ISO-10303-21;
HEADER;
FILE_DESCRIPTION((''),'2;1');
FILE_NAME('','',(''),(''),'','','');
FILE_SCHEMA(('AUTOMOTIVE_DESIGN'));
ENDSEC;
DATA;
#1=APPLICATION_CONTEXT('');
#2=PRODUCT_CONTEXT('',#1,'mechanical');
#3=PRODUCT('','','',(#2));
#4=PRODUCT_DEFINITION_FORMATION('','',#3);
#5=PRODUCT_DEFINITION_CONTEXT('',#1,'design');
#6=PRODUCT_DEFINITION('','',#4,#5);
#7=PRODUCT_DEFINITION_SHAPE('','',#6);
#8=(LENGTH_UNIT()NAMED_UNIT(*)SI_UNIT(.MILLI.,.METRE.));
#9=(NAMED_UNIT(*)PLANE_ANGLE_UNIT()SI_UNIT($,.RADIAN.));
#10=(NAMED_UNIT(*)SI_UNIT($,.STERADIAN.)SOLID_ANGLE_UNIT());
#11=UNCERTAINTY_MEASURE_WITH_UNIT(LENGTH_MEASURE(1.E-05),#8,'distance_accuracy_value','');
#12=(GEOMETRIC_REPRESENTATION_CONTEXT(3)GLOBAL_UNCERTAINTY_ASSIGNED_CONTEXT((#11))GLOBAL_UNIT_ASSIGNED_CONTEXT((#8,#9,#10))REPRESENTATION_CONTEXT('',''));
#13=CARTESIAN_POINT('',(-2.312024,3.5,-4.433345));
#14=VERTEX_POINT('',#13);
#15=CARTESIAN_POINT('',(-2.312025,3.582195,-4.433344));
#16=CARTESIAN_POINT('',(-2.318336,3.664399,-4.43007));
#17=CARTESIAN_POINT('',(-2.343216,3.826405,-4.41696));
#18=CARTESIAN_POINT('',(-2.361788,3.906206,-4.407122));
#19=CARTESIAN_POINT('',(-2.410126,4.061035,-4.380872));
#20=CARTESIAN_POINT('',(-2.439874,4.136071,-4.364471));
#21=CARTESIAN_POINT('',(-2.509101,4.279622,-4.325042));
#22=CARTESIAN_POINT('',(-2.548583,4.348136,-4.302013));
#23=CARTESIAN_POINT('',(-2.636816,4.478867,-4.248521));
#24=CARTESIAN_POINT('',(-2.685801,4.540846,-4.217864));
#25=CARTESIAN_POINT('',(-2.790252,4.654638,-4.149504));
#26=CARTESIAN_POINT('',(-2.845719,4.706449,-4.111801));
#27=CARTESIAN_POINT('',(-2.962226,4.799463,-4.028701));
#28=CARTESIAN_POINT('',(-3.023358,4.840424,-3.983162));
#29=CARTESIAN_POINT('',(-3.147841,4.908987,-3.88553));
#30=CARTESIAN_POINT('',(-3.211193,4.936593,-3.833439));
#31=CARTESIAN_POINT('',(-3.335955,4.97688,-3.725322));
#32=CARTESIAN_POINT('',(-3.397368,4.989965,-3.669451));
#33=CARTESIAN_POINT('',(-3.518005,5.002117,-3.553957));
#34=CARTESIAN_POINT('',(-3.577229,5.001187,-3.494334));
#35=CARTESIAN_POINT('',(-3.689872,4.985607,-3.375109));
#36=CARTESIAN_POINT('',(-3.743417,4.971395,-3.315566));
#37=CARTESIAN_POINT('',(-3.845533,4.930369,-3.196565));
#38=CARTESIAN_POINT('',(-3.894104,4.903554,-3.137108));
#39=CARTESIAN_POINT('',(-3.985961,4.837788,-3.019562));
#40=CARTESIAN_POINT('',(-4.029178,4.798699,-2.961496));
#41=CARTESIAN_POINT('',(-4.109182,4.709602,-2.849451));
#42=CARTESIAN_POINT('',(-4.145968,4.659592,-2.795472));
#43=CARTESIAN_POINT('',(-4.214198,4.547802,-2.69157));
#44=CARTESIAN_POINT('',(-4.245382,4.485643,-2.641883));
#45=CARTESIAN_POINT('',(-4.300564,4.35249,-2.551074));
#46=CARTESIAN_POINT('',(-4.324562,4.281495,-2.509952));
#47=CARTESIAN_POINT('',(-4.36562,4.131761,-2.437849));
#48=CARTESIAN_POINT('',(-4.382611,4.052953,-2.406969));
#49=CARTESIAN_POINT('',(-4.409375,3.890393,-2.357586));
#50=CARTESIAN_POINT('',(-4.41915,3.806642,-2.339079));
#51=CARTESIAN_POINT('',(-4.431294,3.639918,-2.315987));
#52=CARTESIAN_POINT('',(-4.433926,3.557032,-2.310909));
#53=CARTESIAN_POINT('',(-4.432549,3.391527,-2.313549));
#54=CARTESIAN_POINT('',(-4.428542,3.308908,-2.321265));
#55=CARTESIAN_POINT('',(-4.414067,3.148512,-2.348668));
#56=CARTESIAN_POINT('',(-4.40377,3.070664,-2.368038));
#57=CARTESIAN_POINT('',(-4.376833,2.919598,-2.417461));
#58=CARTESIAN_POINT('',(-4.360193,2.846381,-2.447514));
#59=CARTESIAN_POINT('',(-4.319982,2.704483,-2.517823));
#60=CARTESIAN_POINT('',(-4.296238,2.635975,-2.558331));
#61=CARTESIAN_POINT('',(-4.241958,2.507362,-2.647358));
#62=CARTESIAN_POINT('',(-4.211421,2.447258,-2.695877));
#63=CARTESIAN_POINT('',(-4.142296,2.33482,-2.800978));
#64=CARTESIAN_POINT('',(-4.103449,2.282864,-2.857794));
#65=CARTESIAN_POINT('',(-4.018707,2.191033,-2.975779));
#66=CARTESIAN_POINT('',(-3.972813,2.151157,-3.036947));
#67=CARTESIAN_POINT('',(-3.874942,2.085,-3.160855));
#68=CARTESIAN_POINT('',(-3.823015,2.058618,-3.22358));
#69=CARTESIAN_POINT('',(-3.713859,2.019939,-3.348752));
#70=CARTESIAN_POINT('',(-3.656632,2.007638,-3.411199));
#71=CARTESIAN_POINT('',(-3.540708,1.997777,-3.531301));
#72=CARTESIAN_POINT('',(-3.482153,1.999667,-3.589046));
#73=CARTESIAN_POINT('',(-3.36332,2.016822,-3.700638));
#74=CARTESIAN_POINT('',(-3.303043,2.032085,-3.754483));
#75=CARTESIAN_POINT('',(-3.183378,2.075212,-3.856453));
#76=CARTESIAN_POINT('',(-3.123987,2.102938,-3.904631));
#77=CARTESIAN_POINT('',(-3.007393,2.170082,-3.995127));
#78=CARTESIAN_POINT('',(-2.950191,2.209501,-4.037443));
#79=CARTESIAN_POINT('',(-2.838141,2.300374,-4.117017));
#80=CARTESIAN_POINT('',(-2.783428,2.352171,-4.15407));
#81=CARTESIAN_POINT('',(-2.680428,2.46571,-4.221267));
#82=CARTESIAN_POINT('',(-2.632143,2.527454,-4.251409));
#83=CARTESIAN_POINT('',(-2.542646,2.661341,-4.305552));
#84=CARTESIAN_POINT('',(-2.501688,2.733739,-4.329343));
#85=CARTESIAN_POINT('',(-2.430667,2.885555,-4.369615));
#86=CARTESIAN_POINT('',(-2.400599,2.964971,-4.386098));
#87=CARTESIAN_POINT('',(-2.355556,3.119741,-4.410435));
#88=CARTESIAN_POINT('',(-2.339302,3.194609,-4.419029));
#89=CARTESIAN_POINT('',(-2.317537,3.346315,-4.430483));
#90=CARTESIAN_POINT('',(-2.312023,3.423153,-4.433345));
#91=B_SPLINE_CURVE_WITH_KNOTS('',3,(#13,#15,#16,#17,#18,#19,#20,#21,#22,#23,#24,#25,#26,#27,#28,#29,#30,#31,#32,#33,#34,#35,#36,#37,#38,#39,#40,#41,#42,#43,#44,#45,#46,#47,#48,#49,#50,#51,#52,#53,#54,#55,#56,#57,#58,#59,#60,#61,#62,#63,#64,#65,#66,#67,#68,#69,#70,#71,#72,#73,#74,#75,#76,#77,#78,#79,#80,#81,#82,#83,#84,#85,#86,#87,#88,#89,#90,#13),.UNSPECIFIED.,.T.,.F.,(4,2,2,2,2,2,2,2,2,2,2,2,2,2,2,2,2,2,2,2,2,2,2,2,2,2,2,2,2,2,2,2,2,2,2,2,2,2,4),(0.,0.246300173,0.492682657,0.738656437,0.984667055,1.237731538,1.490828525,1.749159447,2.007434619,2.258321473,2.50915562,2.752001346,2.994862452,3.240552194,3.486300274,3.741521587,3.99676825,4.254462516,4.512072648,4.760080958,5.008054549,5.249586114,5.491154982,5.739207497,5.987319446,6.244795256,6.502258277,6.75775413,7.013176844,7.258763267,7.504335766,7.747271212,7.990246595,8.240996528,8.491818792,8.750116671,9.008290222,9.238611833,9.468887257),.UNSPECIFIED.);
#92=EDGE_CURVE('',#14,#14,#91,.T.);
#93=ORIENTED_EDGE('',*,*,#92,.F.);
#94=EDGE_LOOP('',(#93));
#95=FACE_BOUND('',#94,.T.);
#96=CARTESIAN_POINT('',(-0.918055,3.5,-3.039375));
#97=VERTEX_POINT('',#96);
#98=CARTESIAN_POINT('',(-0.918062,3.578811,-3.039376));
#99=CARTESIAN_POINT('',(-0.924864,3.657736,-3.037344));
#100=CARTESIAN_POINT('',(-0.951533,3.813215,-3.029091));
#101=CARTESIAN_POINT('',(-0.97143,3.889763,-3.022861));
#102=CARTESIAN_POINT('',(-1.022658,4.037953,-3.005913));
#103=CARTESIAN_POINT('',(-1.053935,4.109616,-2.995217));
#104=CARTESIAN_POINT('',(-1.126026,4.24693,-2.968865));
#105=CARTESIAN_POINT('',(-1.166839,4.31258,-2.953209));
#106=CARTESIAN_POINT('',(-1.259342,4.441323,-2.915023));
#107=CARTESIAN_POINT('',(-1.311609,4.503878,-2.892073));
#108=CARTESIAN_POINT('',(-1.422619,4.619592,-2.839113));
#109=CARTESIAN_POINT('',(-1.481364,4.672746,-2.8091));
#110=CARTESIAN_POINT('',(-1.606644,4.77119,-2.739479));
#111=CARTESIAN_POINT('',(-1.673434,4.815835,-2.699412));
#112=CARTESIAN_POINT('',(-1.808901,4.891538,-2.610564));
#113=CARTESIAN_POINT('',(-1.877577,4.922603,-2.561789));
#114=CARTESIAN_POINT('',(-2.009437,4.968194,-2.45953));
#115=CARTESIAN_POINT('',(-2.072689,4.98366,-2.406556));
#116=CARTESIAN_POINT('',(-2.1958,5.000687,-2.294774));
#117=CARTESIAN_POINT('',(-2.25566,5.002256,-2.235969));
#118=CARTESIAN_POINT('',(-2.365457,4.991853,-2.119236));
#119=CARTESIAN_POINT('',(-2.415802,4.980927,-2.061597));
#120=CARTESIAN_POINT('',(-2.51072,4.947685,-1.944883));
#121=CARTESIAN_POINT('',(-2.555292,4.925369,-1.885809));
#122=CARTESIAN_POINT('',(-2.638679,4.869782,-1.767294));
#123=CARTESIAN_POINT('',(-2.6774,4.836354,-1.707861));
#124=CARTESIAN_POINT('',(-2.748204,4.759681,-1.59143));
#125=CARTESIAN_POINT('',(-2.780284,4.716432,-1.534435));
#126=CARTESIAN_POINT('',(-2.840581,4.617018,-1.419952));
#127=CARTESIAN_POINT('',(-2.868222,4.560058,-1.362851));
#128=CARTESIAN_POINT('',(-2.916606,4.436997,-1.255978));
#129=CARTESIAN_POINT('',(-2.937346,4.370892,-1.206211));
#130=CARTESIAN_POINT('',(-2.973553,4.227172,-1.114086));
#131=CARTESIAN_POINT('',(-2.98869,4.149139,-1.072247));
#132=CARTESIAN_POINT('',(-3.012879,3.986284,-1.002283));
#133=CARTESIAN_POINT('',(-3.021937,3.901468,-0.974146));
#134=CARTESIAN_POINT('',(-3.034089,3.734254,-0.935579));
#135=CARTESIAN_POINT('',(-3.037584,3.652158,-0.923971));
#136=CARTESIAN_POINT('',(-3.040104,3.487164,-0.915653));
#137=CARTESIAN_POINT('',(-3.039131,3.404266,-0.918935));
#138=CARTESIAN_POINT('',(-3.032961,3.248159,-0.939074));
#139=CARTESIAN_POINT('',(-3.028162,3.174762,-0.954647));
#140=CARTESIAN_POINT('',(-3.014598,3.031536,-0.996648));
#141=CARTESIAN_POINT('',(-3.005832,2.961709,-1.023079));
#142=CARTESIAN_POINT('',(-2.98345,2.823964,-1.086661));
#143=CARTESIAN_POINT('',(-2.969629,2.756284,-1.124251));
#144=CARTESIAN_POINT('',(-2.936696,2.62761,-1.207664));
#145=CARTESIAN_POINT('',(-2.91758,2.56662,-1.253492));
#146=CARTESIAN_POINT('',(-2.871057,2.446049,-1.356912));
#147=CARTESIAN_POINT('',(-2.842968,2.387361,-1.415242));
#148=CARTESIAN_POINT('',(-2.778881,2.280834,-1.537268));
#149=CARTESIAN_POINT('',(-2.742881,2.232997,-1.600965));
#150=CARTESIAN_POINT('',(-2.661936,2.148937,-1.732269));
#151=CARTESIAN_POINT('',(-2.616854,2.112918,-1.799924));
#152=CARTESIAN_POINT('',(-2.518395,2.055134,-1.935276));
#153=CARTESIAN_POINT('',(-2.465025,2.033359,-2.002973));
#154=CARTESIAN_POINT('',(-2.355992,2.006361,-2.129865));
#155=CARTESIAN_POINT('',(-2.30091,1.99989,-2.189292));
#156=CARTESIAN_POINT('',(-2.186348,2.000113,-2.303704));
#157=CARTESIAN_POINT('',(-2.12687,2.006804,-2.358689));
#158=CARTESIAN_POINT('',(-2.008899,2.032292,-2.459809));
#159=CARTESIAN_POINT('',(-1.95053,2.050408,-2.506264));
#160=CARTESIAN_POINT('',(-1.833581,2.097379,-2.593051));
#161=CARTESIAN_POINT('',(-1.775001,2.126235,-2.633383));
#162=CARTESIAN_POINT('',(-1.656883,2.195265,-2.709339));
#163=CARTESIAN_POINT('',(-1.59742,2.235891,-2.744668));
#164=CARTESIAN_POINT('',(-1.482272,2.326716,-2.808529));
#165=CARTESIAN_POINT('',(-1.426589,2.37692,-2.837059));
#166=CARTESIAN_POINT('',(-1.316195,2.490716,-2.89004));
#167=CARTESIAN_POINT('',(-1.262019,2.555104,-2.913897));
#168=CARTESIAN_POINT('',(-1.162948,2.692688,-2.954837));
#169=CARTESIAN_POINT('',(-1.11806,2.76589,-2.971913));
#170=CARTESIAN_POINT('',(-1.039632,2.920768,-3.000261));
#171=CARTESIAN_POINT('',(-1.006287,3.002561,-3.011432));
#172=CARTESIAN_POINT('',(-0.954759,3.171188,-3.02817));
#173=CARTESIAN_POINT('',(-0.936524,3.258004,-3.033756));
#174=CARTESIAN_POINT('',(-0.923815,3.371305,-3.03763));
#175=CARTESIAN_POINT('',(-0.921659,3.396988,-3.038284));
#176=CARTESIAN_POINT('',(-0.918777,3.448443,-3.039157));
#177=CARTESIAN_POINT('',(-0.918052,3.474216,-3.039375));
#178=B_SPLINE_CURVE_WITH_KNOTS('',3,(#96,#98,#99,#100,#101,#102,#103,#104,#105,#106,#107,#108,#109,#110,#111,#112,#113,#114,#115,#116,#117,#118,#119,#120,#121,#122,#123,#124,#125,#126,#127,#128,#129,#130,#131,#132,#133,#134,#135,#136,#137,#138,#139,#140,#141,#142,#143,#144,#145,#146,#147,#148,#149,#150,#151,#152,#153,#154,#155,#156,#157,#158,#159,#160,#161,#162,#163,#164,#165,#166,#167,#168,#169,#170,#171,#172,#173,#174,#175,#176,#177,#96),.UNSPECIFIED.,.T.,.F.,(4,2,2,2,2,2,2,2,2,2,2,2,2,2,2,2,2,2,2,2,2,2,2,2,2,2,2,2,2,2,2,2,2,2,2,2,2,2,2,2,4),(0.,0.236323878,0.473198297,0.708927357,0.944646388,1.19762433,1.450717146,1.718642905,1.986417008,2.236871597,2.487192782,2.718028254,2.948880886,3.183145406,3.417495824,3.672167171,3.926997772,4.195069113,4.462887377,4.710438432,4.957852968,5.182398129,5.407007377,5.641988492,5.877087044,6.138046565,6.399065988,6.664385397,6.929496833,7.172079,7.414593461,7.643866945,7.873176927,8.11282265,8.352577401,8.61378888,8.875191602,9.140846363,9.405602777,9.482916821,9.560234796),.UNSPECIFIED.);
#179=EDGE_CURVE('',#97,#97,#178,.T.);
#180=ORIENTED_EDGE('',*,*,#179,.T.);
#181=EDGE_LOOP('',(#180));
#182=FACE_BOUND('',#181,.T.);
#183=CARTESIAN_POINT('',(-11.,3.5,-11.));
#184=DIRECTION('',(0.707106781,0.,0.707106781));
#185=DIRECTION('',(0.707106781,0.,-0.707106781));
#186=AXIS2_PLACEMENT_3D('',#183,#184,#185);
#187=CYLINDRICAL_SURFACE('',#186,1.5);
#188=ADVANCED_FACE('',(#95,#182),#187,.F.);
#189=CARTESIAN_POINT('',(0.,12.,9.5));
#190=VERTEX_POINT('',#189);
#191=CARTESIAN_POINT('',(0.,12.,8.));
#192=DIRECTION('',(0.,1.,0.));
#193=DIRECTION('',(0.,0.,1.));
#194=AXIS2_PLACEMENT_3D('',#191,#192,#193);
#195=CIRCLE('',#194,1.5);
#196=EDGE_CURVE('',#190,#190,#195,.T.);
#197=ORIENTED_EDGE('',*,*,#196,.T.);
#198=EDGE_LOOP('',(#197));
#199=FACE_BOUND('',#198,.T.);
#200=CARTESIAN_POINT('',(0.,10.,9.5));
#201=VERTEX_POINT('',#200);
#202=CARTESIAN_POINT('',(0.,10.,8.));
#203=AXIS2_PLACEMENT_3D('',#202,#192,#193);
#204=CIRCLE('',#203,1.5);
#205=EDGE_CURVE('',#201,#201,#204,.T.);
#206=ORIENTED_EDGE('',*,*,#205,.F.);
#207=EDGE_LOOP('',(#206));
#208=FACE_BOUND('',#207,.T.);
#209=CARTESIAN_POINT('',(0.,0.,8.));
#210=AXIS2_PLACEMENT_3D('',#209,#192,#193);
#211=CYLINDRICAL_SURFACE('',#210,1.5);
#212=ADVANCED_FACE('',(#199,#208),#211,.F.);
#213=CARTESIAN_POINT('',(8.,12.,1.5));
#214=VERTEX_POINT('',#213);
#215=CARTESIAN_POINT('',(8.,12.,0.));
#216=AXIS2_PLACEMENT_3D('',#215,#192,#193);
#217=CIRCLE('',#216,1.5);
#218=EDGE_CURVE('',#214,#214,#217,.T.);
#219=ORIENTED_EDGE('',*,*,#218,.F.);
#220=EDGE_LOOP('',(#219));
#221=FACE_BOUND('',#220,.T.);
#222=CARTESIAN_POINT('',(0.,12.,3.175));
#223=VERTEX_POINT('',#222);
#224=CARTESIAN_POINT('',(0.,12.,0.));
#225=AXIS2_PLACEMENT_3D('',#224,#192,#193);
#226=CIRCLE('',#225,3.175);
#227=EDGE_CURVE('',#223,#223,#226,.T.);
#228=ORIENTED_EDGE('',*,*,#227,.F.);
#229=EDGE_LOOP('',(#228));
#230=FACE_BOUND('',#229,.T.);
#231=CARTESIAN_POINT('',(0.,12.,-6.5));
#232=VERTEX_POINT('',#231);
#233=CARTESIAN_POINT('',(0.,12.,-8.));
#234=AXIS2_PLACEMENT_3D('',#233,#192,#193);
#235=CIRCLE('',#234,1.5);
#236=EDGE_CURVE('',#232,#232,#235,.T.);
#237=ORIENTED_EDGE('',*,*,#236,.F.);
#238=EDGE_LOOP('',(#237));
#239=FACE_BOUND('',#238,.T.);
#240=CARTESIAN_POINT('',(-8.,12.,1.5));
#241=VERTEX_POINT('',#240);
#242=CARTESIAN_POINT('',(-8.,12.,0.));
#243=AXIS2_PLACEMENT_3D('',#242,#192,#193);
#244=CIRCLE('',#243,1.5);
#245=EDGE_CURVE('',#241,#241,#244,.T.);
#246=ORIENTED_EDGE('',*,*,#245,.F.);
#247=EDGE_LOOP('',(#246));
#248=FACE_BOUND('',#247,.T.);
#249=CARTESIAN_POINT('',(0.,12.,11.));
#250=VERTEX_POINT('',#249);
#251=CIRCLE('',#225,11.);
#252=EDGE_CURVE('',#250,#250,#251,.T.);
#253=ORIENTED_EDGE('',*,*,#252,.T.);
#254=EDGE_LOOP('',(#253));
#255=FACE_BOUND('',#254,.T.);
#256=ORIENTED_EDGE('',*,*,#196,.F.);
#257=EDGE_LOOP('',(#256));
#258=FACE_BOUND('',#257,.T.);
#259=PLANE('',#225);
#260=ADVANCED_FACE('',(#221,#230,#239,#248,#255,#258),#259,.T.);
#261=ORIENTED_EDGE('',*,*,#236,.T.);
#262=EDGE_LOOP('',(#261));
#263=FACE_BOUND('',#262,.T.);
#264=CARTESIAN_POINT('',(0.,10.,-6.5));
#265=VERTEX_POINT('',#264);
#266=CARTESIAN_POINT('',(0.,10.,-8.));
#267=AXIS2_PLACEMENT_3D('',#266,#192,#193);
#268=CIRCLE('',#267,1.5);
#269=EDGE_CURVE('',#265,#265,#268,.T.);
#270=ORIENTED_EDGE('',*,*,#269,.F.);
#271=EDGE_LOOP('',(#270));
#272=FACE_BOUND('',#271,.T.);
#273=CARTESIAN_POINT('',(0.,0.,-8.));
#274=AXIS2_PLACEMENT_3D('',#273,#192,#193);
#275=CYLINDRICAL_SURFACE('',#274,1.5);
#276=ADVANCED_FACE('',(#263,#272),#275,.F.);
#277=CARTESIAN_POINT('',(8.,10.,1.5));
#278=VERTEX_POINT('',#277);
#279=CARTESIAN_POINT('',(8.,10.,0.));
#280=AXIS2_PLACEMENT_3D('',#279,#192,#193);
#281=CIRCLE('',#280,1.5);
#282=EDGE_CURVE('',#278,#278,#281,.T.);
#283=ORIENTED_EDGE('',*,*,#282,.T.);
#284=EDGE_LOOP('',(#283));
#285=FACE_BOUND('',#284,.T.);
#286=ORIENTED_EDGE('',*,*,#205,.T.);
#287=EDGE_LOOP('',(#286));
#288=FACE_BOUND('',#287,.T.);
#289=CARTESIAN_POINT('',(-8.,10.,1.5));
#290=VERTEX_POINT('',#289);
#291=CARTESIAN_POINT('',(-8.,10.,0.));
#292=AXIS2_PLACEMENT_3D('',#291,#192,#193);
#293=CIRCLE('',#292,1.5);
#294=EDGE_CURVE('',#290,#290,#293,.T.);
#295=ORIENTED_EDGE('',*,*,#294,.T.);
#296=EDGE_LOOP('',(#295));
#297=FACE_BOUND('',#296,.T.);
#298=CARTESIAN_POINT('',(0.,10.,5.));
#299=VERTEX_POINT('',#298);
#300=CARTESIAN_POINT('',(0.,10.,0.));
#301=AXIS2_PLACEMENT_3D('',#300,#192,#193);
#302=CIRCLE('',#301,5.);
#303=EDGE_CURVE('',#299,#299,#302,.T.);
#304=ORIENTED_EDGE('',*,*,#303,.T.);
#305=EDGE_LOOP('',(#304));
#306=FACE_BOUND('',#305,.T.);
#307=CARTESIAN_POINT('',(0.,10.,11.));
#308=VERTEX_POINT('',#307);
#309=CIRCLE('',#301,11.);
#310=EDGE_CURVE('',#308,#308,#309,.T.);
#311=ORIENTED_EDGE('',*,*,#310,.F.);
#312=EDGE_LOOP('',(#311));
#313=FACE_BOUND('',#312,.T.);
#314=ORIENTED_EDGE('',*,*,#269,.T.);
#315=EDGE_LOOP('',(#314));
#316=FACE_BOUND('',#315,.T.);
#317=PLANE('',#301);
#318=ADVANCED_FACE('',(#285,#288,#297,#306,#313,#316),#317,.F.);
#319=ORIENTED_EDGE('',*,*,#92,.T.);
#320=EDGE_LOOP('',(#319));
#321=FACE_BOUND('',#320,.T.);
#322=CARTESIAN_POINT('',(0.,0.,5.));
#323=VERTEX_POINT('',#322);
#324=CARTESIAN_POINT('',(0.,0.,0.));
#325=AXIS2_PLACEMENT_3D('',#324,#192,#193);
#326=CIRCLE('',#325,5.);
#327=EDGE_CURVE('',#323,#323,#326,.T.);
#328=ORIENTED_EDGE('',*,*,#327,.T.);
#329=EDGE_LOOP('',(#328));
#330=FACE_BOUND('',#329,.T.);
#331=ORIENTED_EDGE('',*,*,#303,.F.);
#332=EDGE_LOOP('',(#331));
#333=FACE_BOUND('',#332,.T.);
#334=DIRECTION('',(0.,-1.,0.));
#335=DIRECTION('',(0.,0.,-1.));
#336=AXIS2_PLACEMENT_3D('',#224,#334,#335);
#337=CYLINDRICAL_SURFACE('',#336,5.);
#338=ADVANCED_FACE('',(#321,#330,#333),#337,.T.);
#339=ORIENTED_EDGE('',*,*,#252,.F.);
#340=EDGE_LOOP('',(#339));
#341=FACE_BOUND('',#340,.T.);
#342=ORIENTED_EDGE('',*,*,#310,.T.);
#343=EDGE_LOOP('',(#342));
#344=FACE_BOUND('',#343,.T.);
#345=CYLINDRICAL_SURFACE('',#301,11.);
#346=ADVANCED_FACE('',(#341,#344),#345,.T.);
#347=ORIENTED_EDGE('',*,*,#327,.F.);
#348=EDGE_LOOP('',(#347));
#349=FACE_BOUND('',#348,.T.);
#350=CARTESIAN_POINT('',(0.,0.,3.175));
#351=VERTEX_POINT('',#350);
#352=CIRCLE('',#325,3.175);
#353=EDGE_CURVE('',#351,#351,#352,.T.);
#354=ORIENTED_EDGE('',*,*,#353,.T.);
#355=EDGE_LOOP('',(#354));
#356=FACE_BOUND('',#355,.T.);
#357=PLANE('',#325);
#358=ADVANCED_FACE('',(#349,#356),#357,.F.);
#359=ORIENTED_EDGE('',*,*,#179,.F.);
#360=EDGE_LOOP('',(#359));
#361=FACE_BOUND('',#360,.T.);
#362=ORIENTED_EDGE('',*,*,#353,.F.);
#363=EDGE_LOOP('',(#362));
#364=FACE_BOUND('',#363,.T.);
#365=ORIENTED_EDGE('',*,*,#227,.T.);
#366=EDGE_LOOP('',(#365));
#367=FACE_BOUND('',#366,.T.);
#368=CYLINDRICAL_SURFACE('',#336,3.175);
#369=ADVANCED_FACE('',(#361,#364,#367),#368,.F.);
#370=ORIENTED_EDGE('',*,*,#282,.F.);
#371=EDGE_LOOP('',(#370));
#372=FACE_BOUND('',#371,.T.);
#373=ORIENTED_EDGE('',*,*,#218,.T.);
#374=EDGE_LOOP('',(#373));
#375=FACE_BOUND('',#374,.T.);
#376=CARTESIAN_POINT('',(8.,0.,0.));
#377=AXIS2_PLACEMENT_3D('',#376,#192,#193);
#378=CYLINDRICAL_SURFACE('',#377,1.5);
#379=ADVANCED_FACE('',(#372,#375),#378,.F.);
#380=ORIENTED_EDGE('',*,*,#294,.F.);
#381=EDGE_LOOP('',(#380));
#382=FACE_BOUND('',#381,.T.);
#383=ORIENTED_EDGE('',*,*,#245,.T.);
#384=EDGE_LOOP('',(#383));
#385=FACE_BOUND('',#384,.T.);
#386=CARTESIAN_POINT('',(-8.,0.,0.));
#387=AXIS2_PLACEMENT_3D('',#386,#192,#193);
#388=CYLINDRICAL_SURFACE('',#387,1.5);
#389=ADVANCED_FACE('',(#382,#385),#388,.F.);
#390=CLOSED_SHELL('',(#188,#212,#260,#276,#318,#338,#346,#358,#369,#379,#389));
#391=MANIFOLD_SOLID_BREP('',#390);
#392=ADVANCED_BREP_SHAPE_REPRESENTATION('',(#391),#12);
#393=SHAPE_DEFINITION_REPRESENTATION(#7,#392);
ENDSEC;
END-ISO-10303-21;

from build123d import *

# Parameters (mm, degrees)
SKETCH1_R           = 5
SKETCH1_R_2         = 3.175
BOSS_EXTRUDE1_DEPTH = 12
BOSS_EXTRUDE2_START = -2.000000064
SKETCH2_R           = 11
SKETCH2_R_2         = 3.175
BOSS_EXTRUDE2_DEPTH = 2.000000064
SKETCH3_R           = 1.5
CUT_EXTRUDE1_DEPTH  = 20.646882704
CUT_EXTRUDE2_DEPTH  = 20.646882704


with BuildPart() as part:
    # Sketch1 → Boss-Extrude1 (new body)
    with BuildSketch(Plane(origin=(0, 0, 0), x_dir=(1, 0, 0), z_dir=(0, 1, 0))):
        Circle(SKETCH1_R)
        Circle(SKETCH1_R_2, mode=Mode.SUBTRACT)
    extrude(amount=BOSS_EXTRUDE1_DEPTH)

    # Sketch2 → Boss-Extrude2 (add)
    with BuildSketch(Plane(origin=(0, 12, 0), x_dir=(1, 0, 0), z_dir=(0, 1, 0)).offset(BOSS_EXTRUDE2_START)):
        Circle(SKETCH2_R)
        Circle(SKETCH2_R_2, mode=Mode.SUBTRACT)
    extrude(amount=BOSS_EXTRUDE2_DEPTH)

    # Sketch3 → Cut-Extrude1 (cut, through all)
    with BuildSketch(Plane(origin=(0, 12, 0), x_dir=(1, 0, 0), z_dir=(0, 1, 0))):
        with Locations((0, 8)):
            Circle(SKETCH3_R)
        with Locations((8, 0)):
            Circle(SKETCH3_R)
        with Locations((0, -8)):
            Circle(SKETCH3_R)
        with Locations((-8, 0)):
            Circle(SKETCH3_R)
    extrude(amount=-CUT_EXTRUDE1_DEPTH, mode=Mode.SUBTRACT)

    # Sketch4 → Cut-Extrude2 (cut, through all)
    with BuildSketch(Plane(origin=(0, 0, 0), x_dir=(0, 1, 0), z_dir=(0.7071067811865464, 0, 0.7071067811865488))):
        with BuildLine():
            ThreePointArc((2.000000064, 0), (3.500000112, -1.500000048), (5.00000016, 0))
            ThreePointArc((5.00000016, 0), (3.500000112, 1.500000048), (2.000000064, 0))
        make_face()
    extrude(amount=-CUT_EXTRUDE2_DEPTH, mode=Mode.SUBTRACT)


solid = part.part
